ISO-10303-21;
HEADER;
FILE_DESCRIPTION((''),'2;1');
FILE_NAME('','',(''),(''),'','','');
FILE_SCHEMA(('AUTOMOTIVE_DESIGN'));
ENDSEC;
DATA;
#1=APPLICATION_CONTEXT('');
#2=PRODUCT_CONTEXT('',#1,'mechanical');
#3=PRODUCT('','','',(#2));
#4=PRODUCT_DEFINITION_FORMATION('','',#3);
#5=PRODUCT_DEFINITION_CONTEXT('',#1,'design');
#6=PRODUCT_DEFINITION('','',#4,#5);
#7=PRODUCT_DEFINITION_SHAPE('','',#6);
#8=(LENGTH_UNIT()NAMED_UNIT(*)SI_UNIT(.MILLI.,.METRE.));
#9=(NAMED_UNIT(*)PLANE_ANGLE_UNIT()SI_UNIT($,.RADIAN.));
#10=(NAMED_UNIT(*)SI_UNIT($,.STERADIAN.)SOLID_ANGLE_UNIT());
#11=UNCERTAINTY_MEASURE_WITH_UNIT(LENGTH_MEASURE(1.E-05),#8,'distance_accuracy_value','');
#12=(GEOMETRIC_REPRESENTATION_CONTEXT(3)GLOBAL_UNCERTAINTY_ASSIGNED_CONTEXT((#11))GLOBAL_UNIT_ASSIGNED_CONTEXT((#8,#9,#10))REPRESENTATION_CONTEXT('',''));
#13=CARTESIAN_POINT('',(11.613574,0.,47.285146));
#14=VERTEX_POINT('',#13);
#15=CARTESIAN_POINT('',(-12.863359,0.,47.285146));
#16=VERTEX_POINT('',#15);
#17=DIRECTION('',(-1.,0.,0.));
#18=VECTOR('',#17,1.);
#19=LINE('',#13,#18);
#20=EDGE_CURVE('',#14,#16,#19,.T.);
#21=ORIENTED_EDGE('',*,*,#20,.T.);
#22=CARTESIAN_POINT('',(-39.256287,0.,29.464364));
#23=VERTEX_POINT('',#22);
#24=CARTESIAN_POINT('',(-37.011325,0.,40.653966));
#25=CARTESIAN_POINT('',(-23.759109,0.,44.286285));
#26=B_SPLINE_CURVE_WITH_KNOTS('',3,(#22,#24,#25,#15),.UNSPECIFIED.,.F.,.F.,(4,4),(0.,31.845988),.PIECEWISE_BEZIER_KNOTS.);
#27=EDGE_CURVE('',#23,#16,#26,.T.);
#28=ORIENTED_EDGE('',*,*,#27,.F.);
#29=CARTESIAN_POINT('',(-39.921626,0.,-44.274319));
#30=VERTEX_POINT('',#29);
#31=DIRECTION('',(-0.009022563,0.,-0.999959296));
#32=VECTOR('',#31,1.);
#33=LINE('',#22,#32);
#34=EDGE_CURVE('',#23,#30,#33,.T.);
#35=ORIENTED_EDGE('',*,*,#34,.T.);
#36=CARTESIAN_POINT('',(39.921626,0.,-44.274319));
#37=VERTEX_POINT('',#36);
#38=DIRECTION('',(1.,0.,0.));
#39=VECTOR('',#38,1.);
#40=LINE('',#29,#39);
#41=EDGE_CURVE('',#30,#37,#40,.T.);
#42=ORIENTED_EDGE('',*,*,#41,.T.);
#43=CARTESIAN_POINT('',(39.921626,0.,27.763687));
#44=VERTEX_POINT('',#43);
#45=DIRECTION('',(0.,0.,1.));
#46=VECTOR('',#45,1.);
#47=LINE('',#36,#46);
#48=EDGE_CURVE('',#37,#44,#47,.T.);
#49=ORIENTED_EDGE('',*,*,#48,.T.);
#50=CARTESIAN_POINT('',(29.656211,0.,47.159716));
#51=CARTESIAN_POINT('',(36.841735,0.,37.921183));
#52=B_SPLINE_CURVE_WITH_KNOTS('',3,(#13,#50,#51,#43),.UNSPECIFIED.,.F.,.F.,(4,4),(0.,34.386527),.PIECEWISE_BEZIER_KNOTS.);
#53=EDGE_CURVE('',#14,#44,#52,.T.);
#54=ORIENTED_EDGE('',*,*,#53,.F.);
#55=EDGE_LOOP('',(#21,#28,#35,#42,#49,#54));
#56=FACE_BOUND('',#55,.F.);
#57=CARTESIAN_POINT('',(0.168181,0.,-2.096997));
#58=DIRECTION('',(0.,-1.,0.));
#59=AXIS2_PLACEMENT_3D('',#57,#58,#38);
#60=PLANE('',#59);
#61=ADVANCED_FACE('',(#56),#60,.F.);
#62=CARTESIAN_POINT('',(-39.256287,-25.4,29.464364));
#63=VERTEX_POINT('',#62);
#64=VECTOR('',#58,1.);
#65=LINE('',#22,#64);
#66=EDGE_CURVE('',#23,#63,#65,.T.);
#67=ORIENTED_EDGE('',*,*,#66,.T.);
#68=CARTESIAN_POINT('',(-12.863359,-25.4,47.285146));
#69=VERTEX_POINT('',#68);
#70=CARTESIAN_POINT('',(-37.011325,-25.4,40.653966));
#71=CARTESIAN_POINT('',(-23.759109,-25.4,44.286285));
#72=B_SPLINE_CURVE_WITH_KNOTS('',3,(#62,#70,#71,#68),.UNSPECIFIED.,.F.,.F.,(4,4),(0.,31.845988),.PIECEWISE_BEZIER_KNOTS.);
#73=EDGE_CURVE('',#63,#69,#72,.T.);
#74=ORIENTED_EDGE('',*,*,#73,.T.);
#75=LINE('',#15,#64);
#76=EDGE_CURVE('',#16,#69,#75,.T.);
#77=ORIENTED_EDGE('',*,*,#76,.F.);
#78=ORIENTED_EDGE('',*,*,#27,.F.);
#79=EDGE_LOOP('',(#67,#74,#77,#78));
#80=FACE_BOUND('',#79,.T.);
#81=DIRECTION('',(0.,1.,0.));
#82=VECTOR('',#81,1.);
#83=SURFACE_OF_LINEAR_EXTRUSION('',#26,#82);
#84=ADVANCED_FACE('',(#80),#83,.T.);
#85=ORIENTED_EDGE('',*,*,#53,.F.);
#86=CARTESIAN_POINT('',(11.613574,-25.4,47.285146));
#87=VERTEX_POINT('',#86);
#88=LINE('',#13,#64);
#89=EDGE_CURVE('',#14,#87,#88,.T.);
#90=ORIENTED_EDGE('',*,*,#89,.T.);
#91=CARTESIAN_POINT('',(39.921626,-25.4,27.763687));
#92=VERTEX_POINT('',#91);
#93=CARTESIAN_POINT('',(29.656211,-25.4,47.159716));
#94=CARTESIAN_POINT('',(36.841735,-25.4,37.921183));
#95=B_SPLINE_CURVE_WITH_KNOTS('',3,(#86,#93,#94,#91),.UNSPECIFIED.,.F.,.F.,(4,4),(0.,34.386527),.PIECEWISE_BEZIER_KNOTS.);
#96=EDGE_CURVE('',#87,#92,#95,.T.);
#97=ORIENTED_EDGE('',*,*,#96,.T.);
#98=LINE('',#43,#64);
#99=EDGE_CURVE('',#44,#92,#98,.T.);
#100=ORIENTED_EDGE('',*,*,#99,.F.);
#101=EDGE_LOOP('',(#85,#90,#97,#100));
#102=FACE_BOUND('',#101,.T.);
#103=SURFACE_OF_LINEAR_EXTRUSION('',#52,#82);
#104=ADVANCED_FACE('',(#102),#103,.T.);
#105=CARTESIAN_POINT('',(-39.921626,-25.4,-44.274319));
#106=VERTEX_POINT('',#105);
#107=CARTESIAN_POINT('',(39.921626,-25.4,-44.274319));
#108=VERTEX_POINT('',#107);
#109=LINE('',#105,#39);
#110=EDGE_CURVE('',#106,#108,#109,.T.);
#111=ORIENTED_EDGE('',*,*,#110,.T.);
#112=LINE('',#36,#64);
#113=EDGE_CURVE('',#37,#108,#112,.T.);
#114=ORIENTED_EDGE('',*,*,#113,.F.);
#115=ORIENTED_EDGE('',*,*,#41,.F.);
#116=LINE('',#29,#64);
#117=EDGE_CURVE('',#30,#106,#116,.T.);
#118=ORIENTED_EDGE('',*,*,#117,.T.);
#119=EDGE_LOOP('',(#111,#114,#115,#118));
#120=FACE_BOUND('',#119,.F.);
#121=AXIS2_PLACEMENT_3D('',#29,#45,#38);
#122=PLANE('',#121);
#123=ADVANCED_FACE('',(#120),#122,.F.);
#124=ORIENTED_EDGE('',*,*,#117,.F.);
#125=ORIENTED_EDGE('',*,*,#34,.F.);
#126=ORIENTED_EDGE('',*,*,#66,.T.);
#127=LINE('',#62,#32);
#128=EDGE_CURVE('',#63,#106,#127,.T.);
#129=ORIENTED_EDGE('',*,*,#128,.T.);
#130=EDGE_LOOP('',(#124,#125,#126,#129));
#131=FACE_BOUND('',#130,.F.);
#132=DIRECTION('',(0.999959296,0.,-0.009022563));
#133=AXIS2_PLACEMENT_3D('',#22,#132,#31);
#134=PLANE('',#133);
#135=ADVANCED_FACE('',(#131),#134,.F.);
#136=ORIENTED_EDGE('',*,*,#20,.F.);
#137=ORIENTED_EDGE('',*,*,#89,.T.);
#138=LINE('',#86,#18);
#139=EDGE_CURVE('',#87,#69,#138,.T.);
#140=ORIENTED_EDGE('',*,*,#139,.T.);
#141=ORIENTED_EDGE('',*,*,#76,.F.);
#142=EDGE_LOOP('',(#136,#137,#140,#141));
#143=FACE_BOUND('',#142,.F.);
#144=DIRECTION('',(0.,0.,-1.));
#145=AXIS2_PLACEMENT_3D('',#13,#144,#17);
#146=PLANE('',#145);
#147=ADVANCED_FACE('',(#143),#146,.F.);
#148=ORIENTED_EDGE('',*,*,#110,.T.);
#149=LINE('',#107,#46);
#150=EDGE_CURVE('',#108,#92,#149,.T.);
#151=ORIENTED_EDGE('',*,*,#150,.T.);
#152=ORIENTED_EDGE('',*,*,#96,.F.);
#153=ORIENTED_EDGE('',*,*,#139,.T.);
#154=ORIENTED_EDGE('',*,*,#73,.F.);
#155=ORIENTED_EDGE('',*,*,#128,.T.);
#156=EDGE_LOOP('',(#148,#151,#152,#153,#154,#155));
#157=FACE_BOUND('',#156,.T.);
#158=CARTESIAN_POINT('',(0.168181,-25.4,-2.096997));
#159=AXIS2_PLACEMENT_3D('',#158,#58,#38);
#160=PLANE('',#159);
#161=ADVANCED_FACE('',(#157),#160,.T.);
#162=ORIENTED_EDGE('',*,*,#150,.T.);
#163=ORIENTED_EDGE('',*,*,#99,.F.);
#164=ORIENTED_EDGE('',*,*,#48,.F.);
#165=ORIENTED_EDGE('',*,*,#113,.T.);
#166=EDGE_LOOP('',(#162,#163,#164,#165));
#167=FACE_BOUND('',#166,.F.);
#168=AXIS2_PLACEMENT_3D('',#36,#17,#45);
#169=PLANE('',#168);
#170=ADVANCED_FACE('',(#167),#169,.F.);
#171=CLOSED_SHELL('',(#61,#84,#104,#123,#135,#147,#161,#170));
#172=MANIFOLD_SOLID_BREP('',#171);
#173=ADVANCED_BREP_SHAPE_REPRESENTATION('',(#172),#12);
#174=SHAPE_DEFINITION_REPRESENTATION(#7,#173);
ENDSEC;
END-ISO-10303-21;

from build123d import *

# Parameters (mm, degrees)
F1_DEPTH = 25.4


with BuildPart() as f1:
    # F0 (on Front) → F1 (new body)
    with BuildSketch(Plane.XZ):
        with BuildLine():
            Line((11.613574, 47.285146), (-12.863359, 47.285146))
            add(Edge.make_bspline(
                [(-39.256287, 29.464364), (-37.011325, 40.653966), (-23.759109, 44.286285), (-12.863359, 47.285146)],
                knots=[0, 0, 0, 0, 31.845988, 31.845988, 31.845988, 31.845988], degree=3))
            Line((-39.256287, 29.464364), (-39.921626, -44.274319))
            Line((-39.921626, -44.274319), (39.921626, -44.274319))
            Line((39.921626, -44.274319), (39.921626, 27.763687))
            add(Edge.make_bspline(
                [(11.613574, 47.285146), (29.656211, 47.159716), (36.841735, 37.921183), (39.921626, 27.763687)],
                knots=[0, 0, 0, 0, 34.386527, 34.386527, 34.386527, 34.386527], degree=3))
        make_face()
    extrude(amount=F1_DEPTH)


solid = f1.part
